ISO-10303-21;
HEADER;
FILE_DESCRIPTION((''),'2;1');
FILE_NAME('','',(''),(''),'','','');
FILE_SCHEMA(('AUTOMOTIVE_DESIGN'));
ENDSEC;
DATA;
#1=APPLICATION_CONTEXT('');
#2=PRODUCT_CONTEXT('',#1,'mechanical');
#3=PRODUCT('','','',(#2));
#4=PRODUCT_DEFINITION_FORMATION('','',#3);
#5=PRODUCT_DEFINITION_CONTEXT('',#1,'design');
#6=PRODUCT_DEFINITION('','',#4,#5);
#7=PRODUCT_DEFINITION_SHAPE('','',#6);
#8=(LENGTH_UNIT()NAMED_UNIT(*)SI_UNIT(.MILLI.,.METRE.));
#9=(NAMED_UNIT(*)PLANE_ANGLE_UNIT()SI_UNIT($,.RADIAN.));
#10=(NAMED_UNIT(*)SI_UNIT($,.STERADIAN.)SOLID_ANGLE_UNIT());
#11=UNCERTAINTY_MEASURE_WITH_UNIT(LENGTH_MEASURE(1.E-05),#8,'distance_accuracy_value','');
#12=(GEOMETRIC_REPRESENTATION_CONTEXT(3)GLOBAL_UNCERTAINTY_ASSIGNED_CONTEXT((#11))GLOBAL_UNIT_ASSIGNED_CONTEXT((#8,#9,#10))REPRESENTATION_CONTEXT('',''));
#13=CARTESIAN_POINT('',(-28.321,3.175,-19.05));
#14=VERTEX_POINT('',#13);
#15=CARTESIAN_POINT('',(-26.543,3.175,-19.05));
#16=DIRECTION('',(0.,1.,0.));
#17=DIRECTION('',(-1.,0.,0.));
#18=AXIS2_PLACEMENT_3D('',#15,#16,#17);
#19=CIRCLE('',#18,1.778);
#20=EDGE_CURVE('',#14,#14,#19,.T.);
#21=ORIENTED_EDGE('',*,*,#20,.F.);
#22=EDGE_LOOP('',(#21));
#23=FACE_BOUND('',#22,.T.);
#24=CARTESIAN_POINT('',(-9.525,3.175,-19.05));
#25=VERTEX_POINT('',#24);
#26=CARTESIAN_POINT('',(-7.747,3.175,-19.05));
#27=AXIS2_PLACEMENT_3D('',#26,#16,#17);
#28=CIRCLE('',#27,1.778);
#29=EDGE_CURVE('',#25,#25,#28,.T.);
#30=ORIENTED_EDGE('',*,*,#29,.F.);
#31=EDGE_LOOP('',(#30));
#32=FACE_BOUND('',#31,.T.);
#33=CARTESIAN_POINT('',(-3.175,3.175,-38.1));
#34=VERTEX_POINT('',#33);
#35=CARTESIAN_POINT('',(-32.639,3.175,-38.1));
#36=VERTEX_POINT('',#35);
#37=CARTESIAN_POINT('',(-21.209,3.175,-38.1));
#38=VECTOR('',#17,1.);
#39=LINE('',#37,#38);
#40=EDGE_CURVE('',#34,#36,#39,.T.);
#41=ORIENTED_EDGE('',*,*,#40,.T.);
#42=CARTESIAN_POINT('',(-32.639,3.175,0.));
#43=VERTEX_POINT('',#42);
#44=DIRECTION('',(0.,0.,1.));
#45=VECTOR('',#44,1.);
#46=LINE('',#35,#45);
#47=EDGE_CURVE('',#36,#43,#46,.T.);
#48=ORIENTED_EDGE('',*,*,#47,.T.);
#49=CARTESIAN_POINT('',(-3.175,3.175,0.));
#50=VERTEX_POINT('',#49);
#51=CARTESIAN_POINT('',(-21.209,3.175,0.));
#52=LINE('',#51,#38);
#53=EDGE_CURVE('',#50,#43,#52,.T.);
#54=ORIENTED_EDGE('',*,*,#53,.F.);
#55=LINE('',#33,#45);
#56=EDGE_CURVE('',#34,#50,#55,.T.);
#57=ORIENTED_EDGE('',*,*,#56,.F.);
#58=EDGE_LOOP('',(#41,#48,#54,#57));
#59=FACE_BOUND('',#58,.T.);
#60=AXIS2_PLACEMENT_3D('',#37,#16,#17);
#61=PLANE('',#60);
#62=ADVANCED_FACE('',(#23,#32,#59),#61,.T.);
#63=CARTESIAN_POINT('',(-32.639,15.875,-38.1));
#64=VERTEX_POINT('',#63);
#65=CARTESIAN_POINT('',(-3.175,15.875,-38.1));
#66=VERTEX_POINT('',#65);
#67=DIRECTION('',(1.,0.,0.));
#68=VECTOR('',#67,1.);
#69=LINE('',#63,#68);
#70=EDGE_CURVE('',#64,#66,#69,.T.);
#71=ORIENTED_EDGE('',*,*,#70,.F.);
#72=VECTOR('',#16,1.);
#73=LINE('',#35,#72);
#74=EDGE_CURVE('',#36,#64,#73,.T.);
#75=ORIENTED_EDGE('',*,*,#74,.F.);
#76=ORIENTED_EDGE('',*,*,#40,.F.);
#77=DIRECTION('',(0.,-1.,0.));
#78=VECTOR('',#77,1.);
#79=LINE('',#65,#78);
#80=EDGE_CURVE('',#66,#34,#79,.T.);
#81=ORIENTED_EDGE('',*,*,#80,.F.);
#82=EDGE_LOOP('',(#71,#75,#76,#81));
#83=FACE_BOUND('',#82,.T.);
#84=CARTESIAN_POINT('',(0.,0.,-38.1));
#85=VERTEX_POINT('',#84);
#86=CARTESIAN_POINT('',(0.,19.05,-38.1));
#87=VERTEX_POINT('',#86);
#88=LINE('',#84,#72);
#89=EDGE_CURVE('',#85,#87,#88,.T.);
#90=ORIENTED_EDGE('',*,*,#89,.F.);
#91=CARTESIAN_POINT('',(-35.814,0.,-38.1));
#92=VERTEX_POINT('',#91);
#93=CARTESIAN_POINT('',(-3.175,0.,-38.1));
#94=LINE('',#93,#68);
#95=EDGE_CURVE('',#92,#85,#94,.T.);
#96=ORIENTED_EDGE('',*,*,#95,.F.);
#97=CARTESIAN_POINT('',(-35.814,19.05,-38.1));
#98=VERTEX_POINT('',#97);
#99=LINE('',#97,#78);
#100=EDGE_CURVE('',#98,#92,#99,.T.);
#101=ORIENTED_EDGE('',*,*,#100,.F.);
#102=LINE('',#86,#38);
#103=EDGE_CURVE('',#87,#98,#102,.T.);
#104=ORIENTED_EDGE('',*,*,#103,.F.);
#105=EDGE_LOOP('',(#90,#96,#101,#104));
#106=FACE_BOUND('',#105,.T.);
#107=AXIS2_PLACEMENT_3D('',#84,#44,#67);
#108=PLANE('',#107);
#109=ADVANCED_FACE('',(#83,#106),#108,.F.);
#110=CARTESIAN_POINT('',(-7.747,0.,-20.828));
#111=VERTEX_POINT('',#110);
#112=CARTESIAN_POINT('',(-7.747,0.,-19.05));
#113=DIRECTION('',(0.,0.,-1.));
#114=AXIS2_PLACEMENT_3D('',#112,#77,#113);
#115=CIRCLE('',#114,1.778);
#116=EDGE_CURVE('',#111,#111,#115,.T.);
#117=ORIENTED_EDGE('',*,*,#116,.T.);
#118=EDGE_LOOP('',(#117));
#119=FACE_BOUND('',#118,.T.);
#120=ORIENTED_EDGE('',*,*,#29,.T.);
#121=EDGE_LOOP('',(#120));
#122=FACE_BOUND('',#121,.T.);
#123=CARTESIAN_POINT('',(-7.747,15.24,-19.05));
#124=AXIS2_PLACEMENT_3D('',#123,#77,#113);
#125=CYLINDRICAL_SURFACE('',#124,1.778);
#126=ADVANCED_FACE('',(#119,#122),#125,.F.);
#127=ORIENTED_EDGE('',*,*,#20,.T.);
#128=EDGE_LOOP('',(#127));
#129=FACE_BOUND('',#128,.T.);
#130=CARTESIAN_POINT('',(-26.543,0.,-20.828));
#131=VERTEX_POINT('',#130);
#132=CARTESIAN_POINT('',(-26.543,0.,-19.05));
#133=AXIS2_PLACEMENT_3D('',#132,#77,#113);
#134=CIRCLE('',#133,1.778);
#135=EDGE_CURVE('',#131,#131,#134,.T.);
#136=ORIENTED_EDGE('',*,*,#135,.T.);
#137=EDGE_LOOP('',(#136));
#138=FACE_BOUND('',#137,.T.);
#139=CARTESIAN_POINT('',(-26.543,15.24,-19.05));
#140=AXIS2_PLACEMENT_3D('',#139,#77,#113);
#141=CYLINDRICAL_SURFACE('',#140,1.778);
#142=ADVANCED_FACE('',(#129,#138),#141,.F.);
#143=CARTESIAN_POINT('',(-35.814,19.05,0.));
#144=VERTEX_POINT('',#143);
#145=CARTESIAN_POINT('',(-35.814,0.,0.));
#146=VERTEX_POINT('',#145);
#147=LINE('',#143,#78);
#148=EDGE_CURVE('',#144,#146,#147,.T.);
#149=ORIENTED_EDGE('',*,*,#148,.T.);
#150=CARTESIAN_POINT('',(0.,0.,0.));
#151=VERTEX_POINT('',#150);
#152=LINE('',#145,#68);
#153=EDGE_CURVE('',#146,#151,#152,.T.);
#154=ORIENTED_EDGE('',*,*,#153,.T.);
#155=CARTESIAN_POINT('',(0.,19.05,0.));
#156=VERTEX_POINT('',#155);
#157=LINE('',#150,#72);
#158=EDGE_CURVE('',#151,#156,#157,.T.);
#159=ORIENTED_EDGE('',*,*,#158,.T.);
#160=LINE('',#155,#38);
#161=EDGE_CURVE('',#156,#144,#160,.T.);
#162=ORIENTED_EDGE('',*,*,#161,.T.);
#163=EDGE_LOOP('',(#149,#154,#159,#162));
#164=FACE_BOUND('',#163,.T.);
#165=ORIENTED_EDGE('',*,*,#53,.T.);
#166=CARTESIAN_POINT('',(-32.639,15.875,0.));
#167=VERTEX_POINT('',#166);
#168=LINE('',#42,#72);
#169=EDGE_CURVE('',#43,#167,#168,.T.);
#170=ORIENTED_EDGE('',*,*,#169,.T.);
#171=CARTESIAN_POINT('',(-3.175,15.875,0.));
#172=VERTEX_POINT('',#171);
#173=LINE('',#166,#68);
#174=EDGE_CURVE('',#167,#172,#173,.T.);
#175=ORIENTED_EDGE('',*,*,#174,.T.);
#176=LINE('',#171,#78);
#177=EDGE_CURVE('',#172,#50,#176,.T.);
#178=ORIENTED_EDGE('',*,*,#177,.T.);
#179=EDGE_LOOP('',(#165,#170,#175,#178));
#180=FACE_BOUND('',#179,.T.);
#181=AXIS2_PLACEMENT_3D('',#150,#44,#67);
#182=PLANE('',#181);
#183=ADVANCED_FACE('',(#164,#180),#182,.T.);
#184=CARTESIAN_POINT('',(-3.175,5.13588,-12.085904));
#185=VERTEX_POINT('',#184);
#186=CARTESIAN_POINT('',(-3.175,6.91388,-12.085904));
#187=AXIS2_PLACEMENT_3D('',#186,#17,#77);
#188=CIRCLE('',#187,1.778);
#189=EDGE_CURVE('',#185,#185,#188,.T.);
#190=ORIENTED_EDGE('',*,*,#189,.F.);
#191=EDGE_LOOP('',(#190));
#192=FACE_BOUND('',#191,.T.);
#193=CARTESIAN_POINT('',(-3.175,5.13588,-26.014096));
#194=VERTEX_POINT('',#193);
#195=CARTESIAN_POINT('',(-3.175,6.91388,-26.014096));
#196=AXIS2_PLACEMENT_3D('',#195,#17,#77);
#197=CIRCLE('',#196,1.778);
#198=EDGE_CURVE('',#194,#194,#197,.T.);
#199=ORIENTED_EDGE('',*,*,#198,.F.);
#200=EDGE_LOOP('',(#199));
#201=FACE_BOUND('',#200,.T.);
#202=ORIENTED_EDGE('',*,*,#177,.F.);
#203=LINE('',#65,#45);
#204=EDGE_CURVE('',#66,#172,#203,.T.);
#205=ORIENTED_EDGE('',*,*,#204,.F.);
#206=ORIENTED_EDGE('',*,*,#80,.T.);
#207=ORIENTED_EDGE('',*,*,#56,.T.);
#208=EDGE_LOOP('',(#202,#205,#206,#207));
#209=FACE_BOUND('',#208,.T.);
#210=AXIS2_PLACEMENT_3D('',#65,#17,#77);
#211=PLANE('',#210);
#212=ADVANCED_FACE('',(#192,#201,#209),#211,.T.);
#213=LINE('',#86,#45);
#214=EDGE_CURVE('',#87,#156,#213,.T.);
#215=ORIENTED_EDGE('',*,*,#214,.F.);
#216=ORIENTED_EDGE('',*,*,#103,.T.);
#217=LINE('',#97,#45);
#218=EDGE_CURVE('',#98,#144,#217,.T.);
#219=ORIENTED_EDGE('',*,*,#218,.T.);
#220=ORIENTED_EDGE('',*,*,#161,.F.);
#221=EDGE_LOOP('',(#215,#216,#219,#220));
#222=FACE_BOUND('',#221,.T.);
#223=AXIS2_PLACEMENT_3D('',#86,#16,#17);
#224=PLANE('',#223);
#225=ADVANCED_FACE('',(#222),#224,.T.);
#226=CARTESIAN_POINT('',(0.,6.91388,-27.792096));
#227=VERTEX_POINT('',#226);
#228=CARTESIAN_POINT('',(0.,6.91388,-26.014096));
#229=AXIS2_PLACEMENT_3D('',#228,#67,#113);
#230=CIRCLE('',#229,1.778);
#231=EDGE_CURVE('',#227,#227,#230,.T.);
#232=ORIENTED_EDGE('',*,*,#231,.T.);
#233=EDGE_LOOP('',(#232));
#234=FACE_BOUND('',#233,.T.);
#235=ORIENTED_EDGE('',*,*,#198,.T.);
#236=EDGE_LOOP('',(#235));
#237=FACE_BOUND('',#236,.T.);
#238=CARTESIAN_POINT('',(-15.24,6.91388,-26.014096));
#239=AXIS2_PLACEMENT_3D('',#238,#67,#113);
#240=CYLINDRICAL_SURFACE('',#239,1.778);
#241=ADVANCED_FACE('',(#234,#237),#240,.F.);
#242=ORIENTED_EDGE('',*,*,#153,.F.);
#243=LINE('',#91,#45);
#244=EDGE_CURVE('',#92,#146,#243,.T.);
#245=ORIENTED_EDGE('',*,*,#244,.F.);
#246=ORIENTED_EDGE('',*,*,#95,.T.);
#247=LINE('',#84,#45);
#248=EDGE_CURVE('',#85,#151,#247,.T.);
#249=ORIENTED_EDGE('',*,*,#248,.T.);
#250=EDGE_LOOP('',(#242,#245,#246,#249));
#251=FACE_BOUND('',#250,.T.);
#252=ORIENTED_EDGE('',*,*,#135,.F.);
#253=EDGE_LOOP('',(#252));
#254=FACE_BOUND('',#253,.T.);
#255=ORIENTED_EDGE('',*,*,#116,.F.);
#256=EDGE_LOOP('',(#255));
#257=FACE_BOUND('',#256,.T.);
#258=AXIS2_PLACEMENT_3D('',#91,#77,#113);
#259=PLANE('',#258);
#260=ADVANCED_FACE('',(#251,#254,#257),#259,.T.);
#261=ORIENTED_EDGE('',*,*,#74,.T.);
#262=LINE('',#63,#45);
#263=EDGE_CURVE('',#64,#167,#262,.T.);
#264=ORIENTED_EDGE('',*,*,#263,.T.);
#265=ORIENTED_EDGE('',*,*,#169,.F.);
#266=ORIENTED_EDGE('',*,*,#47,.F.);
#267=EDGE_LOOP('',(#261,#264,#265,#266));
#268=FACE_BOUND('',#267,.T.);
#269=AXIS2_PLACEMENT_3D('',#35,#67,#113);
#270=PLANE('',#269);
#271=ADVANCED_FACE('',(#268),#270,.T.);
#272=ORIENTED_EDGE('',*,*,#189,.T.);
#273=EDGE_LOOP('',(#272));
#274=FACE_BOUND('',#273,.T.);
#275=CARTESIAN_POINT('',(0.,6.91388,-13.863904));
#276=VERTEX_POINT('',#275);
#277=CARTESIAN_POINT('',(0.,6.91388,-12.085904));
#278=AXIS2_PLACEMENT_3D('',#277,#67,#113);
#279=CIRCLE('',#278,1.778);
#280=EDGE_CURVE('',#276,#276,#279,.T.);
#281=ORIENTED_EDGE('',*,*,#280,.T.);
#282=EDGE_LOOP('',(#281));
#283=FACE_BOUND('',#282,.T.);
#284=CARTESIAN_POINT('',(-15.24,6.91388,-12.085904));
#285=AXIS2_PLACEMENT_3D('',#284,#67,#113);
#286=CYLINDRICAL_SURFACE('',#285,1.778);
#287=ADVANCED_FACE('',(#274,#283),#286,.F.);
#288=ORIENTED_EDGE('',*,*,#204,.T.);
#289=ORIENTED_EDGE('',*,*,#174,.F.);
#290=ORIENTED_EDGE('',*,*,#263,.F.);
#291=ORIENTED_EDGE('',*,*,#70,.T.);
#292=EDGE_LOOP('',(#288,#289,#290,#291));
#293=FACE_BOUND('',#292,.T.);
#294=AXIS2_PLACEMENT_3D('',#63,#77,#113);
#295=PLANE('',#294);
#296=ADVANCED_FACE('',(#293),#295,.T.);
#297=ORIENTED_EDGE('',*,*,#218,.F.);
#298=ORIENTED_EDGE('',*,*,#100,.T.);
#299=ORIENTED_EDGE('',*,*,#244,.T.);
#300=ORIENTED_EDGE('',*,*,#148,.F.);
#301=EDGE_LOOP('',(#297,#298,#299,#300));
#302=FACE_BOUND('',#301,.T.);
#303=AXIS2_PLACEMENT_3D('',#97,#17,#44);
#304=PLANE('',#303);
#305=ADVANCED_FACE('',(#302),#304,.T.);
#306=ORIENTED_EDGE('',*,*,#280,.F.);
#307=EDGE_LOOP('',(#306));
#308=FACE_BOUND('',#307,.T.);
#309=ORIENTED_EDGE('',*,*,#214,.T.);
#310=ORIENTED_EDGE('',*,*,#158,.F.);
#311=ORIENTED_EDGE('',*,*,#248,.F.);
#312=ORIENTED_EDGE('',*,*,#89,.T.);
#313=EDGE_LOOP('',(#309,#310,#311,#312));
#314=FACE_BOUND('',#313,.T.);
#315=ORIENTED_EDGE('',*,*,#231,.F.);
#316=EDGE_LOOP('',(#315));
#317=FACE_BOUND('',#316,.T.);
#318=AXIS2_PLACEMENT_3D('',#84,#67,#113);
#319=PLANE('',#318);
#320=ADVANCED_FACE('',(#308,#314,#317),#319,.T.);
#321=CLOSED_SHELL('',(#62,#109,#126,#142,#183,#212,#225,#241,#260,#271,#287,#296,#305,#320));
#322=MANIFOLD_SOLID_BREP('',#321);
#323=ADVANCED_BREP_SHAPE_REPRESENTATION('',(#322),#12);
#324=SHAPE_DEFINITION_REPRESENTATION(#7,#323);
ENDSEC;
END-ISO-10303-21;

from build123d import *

# Parameters (mm, degrees)
BOSS_EXTRUDE1_DEPTH = 38.1
SKETCH2_R           = 1.778
CUT_EXTRUDE1_DEPTH  = 15.24
SKETCH4_W           = 18.034
SKETCH4_H           = 3.175
BOSS_EXTRUDE2_DEPTH = 38.1
SKETCH3_R           = 1.778
CUT_EXTRUDE2_DEPTH  = 15.24


with BuildPart() as part:
    # Sketch1 → Boss-Extrude1 (new body)
    with BuildSketch(Plane.XY):
        Polygon((0, 0), (0, 19.05), (-35.814, 19.05), (-35.814, 0), (-21.209, 0), (-21.209, 3.175), (-32.639, 3.175), (-32.639, 15.875), (-3.175, 15.875), (-3.175, 0), align=None)
    extrude(amount=-BOSS_EXTRUDE1_DEPTH)

    # Sketch2 → Cut-Extrude1 (cut)
    with BuildSketch(Plane(origin=(0, 0, 0), x_dir=(0, 0, -1), z_dir=(1, 0, 0))):
        with Locations((12.0859042, 6.91388)):
            Circle(SKETCH2_R)
        with Locations((26.0140958, 6.91388)):
            Circle(SKETCH2_R)
    extrude(amount=-CUT_EXTRUDE1_DEPTH, mode=Mode.SUBTRACT)

    # Sketch4 → Boss-Extrude2 (add)
    with BuildSketch(Plane.XY):
        with Locations((-12.192, 1.5875)):
            Rectangle(SKETCH4_W, SKETCH4_H)
    extrude(amount=-BOSS_EXTRUDE2_DEPTH)

    # Sketch3 → Cut-Extrude2 (cut)
    with BuildSketch(Plane(origin=(0, 0, 0), x_dir=(-1, 0, 0), z_dir=(0, -1, 0))):
        with Locations((26.543, 19.05)):
            Circle(SKETCH3_R)
        with Locations((7.747, 19.05)):
            Circle(SKETCH3_R)
    extrude(amount=-CUT_EXTRUDE2_DEPTH, mode=Mode.SUBTRACT)


solid = part.part
